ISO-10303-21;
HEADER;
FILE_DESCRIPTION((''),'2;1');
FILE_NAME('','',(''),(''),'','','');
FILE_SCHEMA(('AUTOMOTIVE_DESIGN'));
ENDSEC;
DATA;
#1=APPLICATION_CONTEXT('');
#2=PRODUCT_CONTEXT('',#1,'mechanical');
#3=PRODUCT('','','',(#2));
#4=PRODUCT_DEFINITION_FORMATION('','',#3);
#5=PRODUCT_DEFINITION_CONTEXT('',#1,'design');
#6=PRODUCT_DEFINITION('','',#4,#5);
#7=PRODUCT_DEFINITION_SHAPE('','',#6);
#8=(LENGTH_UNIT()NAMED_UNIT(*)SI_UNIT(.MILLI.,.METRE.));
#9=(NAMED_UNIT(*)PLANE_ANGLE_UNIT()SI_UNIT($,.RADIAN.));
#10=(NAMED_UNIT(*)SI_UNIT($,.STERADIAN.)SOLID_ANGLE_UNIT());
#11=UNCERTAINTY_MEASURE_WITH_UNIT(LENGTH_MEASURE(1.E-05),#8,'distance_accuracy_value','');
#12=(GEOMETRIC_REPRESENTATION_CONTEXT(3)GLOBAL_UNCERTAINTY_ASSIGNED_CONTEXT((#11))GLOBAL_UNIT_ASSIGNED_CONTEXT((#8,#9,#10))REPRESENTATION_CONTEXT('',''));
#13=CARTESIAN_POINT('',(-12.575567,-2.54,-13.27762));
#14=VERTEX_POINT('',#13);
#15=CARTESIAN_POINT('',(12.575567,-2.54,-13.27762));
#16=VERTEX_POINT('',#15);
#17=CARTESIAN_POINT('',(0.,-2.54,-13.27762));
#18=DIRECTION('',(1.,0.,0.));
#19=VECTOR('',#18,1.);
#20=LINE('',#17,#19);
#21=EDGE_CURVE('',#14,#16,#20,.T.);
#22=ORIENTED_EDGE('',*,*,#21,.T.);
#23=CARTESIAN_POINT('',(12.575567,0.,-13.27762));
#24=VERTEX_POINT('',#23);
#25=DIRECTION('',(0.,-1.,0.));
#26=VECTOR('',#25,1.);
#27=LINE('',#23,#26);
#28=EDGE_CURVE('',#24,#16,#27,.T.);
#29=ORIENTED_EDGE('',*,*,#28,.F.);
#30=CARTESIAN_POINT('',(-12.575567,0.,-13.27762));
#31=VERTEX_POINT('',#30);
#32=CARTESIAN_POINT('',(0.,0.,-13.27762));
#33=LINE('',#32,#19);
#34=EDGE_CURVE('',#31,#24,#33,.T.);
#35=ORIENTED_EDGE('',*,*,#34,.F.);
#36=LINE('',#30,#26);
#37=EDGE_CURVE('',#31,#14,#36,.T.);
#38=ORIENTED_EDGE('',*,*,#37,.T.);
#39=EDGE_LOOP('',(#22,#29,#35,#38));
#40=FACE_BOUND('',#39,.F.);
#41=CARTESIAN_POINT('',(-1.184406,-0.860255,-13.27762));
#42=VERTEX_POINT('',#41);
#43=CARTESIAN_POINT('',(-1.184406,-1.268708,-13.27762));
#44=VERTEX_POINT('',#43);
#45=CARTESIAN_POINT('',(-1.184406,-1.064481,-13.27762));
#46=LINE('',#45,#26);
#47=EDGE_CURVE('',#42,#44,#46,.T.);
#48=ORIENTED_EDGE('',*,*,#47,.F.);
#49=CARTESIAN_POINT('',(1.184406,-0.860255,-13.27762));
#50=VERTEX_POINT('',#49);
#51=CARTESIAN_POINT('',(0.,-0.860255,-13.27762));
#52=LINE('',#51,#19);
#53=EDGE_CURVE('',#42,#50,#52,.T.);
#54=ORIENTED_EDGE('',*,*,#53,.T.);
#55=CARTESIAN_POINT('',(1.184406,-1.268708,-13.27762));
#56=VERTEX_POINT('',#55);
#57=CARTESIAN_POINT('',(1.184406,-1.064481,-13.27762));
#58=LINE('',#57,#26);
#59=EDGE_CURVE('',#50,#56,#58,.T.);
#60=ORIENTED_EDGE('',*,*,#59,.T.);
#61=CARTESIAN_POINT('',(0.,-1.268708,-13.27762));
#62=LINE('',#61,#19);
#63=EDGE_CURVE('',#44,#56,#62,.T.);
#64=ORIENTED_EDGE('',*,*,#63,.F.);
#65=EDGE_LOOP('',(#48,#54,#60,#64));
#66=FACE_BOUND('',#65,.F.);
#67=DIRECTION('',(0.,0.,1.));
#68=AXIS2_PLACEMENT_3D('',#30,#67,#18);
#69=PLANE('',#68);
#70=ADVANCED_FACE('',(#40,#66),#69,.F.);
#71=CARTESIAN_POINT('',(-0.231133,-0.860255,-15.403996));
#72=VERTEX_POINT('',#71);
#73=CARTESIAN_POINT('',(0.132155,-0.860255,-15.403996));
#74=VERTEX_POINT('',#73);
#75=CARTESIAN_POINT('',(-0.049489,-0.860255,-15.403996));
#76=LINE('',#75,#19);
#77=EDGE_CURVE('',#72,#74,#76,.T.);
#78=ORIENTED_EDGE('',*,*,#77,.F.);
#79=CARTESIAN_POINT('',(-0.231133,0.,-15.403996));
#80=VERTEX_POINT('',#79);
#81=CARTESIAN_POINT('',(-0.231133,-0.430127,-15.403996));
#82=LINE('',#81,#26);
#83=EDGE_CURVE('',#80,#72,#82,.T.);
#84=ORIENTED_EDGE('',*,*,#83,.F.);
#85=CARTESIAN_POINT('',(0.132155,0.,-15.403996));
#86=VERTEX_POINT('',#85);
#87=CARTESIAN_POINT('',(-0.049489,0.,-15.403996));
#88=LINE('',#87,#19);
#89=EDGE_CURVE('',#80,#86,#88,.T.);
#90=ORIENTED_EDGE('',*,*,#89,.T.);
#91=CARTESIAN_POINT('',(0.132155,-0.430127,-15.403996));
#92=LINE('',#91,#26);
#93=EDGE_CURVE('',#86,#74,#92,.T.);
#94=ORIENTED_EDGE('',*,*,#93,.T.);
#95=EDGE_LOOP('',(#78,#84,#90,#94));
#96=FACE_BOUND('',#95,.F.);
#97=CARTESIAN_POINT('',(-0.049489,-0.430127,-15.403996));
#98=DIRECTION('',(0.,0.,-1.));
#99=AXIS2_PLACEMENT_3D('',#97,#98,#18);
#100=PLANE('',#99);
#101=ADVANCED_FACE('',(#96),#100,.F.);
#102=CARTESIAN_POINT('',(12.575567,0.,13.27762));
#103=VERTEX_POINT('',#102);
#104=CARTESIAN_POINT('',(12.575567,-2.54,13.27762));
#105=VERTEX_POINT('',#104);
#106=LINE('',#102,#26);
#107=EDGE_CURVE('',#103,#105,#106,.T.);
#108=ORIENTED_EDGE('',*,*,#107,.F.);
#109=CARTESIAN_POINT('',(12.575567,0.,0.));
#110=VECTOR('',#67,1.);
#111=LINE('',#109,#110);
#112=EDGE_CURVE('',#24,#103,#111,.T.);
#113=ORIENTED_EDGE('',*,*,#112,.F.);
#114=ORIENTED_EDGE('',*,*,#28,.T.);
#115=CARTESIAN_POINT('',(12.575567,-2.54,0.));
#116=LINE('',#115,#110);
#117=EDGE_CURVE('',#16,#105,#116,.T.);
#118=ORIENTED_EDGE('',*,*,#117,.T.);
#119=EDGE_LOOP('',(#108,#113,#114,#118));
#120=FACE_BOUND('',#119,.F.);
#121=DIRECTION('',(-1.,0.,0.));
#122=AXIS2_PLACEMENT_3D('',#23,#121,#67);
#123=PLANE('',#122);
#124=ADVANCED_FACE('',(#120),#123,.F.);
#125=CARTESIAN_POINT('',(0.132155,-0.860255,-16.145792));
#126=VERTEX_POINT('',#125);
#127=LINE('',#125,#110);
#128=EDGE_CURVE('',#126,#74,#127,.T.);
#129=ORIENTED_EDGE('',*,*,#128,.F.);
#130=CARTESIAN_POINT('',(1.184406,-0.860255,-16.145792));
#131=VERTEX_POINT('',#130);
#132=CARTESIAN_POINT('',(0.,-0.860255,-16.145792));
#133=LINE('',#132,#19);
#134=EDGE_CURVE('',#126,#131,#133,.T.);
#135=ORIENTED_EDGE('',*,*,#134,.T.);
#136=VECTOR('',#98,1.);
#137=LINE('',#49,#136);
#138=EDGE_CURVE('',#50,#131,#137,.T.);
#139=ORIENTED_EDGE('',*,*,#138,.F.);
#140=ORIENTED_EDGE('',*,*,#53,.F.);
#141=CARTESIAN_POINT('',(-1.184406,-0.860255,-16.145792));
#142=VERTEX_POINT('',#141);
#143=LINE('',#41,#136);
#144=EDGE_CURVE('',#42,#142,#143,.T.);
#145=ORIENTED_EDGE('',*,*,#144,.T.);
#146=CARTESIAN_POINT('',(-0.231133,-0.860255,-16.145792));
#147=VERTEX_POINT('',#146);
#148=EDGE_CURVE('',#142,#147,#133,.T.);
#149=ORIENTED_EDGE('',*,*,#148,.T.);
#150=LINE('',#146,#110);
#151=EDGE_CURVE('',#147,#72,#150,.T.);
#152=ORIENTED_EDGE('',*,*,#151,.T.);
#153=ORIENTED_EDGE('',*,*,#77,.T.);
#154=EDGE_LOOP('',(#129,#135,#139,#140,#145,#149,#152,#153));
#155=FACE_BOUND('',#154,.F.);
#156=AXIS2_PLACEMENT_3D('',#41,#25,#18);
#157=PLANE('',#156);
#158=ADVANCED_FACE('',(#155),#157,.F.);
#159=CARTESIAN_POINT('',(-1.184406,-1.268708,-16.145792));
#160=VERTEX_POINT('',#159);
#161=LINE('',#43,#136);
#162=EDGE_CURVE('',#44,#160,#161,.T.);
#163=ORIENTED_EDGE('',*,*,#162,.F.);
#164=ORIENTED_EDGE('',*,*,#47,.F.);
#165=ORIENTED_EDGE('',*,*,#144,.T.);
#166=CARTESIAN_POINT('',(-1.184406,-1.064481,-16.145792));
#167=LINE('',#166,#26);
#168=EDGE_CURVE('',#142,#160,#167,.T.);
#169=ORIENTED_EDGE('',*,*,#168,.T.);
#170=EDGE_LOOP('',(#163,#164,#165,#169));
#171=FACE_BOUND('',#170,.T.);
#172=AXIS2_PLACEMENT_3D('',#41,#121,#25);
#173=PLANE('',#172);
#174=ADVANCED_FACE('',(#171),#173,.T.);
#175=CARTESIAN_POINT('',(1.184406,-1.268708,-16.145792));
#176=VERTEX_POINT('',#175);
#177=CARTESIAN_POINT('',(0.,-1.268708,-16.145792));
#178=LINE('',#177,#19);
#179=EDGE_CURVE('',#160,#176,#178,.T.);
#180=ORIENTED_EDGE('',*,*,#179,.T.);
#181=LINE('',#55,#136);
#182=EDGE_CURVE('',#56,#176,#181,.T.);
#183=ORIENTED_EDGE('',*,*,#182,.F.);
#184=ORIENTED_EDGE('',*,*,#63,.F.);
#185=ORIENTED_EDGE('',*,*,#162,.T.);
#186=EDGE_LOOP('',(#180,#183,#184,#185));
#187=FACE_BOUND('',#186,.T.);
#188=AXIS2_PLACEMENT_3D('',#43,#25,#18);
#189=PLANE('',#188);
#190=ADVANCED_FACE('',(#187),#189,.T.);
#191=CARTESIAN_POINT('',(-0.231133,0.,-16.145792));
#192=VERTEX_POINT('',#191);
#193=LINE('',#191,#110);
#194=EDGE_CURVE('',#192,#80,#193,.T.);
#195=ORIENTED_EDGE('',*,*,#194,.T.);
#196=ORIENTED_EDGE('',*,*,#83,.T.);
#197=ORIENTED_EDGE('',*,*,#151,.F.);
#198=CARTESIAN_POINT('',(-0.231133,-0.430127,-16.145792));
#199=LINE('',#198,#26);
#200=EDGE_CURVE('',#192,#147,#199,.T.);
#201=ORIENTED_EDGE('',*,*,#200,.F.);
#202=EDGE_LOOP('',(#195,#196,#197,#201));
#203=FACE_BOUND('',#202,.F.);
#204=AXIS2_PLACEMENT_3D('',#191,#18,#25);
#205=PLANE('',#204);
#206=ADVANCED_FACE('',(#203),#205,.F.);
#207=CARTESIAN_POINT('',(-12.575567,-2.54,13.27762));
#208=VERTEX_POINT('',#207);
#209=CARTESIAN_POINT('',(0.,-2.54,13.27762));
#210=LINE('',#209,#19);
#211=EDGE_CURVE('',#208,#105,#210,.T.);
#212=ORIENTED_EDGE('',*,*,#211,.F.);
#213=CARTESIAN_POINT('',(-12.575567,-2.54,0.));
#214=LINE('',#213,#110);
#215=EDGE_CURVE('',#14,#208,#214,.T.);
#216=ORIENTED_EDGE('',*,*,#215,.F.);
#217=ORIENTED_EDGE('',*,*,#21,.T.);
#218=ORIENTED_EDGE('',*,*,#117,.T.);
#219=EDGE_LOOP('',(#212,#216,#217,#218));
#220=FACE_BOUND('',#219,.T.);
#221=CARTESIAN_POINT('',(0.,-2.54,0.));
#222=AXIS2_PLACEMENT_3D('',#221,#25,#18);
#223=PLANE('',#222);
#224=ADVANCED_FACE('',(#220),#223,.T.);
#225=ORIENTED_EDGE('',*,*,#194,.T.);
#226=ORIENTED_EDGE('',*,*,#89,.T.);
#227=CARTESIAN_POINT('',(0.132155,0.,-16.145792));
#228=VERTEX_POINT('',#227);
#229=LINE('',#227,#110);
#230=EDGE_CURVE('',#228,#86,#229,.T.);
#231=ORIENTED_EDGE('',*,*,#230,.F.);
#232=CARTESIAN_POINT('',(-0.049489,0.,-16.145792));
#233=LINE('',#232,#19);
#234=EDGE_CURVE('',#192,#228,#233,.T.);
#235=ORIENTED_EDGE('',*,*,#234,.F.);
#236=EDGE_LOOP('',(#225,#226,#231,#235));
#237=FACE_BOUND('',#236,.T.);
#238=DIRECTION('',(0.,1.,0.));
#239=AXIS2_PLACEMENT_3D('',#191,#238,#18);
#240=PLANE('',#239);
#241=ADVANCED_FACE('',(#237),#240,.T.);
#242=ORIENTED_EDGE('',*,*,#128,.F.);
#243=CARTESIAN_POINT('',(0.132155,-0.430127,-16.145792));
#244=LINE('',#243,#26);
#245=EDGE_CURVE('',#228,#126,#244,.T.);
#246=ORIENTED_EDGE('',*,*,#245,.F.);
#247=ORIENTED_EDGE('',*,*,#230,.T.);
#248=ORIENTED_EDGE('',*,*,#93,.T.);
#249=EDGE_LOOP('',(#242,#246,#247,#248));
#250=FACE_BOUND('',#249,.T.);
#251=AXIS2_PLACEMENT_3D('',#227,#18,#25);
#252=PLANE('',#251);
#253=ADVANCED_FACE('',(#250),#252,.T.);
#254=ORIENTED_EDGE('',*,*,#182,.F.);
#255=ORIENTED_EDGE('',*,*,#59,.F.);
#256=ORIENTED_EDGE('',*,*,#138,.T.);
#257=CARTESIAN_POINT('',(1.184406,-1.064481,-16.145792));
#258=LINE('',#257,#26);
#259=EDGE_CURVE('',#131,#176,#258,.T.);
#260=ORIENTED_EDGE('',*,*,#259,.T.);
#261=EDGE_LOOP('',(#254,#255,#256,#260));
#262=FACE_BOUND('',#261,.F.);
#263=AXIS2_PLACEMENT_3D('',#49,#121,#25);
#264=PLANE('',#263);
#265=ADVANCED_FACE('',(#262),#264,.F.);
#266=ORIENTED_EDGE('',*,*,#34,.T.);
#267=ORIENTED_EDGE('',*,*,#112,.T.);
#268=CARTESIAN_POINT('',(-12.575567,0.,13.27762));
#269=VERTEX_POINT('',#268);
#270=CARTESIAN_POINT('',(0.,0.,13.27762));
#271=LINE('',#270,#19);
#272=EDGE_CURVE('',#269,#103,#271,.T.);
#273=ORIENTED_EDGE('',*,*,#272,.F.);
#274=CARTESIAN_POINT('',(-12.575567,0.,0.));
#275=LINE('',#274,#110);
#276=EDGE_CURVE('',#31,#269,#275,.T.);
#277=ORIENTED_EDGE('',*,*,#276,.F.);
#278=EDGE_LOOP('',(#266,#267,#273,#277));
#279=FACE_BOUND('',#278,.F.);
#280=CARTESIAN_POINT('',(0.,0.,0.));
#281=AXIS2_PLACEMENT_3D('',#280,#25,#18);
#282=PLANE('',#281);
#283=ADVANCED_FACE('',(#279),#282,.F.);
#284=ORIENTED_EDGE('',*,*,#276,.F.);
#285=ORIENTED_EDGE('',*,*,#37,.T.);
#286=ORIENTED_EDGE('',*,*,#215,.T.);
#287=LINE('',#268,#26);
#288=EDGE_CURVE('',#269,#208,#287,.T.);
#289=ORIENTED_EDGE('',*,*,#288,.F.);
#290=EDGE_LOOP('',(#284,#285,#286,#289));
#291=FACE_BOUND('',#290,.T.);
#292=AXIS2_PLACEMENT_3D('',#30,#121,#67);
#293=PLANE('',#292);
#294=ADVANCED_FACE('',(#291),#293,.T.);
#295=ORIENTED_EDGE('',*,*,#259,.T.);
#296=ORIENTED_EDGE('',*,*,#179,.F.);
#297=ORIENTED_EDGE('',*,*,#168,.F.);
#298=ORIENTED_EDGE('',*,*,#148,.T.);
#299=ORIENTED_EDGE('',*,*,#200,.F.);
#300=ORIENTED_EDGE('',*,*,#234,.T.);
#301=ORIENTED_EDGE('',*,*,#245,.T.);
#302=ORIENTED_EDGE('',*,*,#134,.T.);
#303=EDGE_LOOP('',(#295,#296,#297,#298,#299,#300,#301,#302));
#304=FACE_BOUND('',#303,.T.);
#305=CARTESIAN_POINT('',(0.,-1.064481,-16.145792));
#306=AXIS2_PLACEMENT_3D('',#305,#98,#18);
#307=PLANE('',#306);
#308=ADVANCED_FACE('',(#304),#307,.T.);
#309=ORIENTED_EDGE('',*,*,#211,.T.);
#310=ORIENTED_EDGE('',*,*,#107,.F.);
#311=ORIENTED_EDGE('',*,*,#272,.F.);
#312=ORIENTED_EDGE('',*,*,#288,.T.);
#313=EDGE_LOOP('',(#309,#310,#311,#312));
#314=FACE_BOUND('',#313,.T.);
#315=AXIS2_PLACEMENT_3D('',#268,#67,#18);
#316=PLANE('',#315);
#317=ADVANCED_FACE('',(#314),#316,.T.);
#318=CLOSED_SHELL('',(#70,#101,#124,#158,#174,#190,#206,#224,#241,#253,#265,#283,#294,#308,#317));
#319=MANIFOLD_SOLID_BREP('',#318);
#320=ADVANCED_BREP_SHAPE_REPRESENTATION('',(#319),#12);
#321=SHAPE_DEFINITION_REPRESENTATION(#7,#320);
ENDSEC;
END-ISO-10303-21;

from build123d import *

# Parameters (mm, degrees)
F0_W     = 25.1511335373
F0_H     = 26.5552401543
F1_DEPTH = 2.54
F2_W     = 2.3688124493
F2_H     = 0.4084529355
F3_DEPTH = 2.8681720141
F4_W     = 0.3632875159
F4_H     = 0.8602547459
F5_DEPTH = 0.7417961024


with BuildPart() as f1:
    # F0 (on Front) → F1 (new body)
    with BuildSketch(Plane.XZ):
        Rectangle(F0_W, F0_H)
    extrude(amount=F1_DEPTH)

    # F2 (on face) → F3 (join)
    with BuildSketch(Plane(origin=(0, 0, -13.2776200771), x_dir=(1, 0, 0), z_dir=(0, 0, -1))):
        with Locations((0, 1.0644812137)):
            Rectangle(F2_W, F2_H)
    extrude(amount=F3_DEPTH)

    # F4 (on face) → F5 (join)
    with BuildSketch(Plane(origin=(0, 0, -16.1457920913), x_dir=(1, 0, 0), z_dir=(0, 0, -1))):
        with Locations((-0.0494890846, 0.430127373)):
            Rectangle(F4_W, F4_H)
    extrude(amount=-F5_DEPTH)


solid = f1.part
